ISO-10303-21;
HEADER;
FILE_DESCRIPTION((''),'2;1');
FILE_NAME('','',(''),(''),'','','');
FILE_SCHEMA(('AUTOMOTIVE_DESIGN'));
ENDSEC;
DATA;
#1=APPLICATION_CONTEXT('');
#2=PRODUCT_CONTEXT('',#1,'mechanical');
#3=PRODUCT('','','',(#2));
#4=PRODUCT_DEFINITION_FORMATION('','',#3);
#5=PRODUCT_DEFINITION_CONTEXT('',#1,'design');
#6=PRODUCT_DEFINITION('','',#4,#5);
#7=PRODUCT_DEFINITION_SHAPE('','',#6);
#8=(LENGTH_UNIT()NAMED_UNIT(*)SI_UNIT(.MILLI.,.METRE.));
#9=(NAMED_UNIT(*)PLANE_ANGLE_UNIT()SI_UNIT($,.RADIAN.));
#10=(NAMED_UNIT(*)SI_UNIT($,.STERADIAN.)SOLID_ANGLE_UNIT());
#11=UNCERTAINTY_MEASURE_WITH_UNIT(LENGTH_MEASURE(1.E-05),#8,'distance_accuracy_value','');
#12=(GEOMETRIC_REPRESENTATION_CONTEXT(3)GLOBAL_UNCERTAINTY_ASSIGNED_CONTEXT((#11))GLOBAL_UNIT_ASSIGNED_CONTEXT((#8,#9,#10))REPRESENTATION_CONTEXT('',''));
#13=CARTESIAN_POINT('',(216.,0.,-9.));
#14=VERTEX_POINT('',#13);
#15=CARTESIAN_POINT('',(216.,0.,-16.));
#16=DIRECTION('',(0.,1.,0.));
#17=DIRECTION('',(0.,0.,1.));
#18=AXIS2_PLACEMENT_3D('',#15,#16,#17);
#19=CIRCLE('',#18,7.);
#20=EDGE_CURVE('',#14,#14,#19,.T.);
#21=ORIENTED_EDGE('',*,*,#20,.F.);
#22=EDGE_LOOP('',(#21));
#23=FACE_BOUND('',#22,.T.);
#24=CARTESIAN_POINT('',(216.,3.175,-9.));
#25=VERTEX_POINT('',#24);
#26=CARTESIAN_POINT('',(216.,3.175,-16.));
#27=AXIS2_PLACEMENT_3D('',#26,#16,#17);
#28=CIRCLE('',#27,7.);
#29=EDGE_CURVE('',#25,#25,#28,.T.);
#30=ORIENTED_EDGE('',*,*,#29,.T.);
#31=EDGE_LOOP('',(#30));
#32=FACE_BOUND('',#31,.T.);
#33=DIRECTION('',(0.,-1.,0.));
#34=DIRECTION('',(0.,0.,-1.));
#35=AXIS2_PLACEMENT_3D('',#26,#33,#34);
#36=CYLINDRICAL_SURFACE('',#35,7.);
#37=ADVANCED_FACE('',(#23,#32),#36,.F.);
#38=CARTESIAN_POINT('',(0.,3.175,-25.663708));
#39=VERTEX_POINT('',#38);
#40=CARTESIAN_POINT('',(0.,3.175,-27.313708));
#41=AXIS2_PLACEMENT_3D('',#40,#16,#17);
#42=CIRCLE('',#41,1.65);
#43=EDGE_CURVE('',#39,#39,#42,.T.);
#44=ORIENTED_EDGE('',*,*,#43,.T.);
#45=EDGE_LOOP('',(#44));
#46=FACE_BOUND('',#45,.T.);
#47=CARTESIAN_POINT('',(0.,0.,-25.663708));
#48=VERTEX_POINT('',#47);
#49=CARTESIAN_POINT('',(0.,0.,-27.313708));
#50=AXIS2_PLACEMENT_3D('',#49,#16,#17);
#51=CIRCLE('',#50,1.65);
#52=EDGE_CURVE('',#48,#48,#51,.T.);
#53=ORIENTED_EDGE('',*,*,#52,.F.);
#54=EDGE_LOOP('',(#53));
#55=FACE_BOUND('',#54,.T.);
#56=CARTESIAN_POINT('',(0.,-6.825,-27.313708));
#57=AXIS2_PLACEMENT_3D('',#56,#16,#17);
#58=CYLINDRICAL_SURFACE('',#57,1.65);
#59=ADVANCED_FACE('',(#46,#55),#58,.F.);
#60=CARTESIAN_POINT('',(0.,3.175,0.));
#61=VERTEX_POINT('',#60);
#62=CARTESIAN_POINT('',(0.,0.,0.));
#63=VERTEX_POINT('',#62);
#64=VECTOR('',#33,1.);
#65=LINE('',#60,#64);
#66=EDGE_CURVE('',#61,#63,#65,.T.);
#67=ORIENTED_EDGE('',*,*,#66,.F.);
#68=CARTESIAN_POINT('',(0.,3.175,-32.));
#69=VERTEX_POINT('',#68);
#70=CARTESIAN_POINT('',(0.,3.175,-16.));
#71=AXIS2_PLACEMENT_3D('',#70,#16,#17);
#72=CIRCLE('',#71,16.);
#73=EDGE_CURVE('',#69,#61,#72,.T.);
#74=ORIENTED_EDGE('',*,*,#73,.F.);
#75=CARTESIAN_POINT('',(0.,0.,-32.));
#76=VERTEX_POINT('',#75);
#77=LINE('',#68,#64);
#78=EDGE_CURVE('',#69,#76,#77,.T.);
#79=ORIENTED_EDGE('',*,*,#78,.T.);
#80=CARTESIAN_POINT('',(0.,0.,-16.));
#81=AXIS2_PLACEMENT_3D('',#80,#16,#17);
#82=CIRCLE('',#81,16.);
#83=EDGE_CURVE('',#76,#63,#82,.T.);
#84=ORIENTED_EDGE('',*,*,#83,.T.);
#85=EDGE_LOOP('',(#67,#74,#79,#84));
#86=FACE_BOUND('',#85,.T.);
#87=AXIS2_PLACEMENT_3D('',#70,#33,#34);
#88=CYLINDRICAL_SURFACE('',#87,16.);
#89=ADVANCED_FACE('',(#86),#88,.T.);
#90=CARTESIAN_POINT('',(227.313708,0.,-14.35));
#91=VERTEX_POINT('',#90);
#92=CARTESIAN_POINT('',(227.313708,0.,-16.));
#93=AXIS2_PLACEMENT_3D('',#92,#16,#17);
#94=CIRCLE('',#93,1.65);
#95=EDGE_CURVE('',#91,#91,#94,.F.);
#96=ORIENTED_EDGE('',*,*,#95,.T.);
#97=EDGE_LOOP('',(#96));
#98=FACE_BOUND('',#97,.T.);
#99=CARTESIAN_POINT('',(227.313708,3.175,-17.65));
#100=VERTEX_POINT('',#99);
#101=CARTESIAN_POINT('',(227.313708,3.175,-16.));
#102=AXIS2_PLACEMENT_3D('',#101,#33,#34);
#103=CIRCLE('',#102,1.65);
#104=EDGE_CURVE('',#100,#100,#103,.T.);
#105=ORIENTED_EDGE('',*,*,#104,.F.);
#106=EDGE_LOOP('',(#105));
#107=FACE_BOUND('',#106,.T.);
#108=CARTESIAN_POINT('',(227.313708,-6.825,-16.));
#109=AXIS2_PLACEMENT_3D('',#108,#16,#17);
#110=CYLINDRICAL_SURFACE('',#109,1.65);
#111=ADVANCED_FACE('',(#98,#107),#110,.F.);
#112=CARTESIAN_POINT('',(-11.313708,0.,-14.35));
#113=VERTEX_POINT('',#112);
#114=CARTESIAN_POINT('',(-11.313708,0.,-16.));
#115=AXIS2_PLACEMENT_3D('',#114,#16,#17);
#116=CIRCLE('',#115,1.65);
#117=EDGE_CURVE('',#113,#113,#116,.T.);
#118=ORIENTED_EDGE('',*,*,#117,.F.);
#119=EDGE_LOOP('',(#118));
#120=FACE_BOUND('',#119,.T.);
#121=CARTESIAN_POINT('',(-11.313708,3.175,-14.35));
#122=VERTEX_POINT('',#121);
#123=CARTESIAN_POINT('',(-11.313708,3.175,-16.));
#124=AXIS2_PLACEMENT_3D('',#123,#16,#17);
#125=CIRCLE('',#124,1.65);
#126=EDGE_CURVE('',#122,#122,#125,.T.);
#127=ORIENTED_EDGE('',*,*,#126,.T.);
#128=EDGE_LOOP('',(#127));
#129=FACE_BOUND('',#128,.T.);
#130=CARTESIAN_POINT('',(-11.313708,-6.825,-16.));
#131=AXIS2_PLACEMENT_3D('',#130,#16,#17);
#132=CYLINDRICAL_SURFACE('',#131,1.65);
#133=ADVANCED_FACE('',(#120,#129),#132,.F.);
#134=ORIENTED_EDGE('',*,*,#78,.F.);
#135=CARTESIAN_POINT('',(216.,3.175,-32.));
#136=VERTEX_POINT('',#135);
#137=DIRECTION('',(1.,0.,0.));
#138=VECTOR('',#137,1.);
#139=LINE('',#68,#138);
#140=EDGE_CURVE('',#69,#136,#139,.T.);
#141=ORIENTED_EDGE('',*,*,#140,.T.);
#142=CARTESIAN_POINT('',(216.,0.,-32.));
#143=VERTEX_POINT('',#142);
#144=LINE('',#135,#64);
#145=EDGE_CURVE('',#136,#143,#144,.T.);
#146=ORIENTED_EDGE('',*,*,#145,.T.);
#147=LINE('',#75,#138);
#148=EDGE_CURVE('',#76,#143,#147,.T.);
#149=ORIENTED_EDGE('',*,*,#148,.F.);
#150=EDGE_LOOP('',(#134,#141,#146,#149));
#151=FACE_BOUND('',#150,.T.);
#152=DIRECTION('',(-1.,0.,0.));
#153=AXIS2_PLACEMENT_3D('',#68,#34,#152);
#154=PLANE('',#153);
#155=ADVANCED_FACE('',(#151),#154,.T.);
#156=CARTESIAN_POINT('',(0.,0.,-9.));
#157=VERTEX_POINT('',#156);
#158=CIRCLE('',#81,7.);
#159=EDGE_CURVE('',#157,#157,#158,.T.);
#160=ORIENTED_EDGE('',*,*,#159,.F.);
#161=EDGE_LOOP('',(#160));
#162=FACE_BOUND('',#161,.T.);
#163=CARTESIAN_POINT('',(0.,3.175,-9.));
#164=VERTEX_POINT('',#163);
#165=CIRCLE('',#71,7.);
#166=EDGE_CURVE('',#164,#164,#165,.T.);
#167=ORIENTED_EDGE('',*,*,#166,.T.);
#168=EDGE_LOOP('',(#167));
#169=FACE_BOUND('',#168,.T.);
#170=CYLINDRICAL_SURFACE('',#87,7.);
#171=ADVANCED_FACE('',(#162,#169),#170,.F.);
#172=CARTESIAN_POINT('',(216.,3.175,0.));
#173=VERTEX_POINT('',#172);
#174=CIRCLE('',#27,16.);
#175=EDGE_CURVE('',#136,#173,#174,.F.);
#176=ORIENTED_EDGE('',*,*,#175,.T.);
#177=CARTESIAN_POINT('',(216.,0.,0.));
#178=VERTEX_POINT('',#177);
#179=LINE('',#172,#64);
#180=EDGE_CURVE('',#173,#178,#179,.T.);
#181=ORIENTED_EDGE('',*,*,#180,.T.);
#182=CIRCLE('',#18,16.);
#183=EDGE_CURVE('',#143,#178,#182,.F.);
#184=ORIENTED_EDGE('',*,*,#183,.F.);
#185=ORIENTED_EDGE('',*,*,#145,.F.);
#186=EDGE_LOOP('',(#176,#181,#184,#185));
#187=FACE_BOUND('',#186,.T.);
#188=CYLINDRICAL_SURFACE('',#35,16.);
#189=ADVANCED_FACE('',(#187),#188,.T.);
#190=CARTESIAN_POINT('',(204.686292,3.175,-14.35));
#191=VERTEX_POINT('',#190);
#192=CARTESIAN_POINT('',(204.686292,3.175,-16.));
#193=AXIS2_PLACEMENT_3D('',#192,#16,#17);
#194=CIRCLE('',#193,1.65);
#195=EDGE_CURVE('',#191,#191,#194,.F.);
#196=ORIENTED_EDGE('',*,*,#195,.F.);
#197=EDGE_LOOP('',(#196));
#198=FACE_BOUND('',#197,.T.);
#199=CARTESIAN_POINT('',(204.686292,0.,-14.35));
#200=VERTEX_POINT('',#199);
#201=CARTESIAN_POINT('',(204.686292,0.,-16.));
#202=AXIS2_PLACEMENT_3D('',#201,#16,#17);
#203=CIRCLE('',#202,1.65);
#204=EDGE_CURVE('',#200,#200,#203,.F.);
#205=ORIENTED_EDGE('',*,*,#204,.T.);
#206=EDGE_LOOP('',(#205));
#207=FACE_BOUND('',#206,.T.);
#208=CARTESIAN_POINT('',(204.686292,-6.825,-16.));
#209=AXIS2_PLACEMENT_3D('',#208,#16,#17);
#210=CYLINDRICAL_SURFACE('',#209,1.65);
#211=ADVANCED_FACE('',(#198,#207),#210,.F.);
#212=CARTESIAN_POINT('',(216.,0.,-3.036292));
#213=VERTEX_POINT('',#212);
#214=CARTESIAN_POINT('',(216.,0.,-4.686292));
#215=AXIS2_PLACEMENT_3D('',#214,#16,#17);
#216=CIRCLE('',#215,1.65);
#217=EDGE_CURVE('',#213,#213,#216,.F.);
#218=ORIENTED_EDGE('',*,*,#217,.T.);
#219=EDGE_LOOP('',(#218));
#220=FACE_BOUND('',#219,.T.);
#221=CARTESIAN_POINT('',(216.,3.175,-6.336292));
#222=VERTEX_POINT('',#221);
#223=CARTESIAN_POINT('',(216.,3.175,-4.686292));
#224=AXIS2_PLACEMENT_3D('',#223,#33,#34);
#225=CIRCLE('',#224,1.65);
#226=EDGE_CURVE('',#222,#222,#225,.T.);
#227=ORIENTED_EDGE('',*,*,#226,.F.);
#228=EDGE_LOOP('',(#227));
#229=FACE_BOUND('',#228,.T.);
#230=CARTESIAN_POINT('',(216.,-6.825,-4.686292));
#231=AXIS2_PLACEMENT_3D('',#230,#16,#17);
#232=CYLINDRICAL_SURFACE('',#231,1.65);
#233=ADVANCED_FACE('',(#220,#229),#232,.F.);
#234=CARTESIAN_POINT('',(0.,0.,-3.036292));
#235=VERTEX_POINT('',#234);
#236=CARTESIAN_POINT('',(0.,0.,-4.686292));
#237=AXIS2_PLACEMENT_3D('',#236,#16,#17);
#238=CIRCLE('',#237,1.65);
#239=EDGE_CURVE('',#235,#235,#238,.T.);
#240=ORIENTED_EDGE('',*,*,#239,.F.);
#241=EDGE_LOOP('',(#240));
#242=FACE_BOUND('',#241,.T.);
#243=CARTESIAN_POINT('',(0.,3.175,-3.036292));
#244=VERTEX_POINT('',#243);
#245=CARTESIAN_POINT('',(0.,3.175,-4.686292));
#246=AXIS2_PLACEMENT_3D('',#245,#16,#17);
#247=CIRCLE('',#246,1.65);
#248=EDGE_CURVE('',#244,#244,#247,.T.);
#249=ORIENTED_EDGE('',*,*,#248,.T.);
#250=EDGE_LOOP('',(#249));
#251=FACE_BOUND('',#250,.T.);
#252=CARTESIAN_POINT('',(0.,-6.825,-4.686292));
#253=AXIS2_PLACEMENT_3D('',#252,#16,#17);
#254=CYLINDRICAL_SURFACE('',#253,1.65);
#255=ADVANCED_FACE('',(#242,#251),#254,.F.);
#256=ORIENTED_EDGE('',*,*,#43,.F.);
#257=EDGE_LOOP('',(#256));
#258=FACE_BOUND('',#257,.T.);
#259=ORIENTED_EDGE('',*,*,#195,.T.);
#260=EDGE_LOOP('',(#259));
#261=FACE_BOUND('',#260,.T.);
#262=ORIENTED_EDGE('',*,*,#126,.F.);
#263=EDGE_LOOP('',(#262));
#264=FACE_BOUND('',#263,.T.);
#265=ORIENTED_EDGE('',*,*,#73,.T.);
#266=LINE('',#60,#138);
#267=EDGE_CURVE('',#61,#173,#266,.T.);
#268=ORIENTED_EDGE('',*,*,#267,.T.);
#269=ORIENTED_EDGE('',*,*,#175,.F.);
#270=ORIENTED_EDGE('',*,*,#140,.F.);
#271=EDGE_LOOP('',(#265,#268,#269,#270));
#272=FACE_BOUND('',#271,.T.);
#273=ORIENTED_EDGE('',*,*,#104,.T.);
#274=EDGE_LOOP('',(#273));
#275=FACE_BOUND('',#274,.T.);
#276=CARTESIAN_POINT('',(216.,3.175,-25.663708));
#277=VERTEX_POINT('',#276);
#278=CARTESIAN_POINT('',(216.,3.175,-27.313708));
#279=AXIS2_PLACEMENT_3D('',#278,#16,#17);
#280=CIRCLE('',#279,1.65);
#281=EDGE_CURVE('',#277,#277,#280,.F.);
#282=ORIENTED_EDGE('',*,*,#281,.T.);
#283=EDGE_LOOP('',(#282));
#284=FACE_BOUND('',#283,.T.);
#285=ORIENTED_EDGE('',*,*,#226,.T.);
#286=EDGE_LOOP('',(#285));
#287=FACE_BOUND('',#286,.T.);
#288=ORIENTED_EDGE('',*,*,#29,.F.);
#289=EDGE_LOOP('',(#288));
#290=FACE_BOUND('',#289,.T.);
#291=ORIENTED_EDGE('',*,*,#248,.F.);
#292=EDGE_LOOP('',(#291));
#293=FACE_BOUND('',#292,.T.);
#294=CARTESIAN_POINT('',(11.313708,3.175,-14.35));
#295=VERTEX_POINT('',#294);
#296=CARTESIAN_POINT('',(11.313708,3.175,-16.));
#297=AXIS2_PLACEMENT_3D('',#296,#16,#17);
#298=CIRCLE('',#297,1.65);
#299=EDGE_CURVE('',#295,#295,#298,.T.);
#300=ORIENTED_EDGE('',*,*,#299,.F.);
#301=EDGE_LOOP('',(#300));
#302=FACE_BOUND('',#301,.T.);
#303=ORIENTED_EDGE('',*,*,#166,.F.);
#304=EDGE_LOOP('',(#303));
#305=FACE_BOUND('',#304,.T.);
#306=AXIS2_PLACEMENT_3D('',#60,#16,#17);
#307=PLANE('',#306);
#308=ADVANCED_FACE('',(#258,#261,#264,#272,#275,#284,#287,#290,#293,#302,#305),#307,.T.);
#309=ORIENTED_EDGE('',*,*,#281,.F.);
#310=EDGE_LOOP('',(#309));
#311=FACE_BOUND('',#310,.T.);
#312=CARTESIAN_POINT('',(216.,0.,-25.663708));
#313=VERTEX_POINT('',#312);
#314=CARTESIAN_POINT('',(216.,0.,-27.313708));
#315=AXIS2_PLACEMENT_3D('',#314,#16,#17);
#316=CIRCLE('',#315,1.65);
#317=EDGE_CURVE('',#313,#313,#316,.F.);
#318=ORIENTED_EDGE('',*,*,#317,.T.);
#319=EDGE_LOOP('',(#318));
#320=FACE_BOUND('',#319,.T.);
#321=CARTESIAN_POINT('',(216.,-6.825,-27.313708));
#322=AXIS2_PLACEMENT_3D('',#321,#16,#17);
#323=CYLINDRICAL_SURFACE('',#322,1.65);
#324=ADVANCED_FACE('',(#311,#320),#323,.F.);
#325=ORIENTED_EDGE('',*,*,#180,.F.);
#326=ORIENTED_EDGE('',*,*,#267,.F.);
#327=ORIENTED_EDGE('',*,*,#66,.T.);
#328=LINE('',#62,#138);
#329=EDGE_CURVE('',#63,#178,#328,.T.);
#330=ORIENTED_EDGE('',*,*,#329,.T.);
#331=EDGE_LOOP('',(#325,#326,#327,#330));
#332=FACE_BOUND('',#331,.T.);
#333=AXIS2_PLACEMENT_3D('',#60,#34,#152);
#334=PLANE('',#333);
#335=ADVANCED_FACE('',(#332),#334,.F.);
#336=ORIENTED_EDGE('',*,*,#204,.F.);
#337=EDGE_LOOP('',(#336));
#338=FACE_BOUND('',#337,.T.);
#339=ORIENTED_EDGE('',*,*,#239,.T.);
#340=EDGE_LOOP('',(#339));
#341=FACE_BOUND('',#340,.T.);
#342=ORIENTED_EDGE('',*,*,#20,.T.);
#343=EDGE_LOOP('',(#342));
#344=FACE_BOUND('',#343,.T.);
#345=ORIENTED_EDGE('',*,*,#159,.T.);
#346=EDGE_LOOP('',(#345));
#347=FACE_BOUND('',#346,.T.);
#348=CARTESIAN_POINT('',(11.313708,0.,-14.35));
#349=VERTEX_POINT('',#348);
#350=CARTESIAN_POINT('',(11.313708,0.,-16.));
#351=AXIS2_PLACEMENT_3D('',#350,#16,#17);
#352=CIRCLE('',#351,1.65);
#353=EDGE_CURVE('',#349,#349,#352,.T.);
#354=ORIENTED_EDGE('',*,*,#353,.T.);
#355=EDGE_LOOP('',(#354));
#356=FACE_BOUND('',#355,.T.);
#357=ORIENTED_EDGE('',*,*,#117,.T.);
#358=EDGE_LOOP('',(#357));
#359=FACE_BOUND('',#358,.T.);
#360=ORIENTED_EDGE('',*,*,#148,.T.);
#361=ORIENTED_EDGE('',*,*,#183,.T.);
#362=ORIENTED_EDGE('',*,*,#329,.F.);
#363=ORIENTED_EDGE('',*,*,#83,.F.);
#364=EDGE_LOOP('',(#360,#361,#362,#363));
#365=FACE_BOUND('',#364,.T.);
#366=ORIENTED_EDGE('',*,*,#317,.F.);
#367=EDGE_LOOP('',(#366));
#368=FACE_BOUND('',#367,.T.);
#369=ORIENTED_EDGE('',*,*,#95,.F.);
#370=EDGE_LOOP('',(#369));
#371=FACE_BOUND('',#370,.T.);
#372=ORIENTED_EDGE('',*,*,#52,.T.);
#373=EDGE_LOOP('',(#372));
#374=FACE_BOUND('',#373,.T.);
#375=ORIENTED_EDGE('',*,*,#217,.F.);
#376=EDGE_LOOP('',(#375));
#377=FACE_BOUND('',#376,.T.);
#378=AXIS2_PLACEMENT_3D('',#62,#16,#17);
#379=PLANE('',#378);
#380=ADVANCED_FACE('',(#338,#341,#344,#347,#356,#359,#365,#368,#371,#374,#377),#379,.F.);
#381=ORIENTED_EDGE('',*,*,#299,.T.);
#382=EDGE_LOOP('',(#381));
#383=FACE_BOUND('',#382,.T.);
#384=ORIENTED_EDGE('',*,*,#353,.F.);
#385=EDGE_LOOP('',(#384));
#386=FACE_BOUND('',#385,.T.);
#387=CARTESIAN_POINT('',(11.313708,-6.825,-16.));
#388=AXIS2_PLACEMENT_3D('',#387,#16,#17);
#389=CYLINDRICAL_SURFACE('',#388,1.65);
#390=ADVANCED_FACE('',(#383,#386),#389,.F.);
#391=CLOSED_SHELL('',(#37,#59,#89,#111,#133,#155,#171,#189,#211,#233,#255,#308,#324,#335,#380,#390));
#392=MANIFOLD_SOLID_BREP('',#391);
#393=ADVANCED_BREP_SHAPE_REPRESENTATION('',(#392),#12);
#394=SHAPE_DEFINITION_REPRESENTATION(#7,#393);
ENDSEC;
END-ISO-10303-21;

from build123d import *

# Parameters (mm, degrees)
SKETCH1_R           = 7
BOSS_EXTRUDE1_DEPTH = 3.175
SKETCH2_R           = 1.65
CUT_EXTRUDE1_DEPTH  = 10


with BuildPart() as part:
    # Sketch1 → Boss-Extrude1 (new body)
    with BuildSketch(Plane(origin=(0, 0, 0), x_dir=(1, 0, 0), z_dir=(0, 1, 0))):
        with BuildLine():
            Line((0, 0), (216, 0))
            ThreePointArc((216, 0), (232, 16), (216, 32))
            Line((216, 32), (0, 32))
            ThreePointArc((0, 32), (-16, 16), (0, 0))
        make_face()
        with Locations(Location((0, 16, 0), (0, 0, 270))):
            Circle(SKETCH1_R, mode=Mode.SUBTRACT)
        with Locations(Location((216, 16, 0), (0, 0, 270))):
            Circle(SKETCH1_R, mode=Mode.SUBTRACT)
    extrude(amount=BOSS_EXTRUDE1_DEPTH)

    # Sketch2 → Cut-Extrude1 (cut)
    with BuildSketch(Plane(origin=(0, 3.175, 0), x_dir=(1, 0, 0), z_dir=(0, 1, 0))):
        with Locations(Location((204.686291501, 16, 0), (0, 0, 270))):
            Circle(SKETCH2_R)
        with Locations(Location((216, 27.313708499, 0), (0, 0, 270))):
            Circle(SKETCH2_R)
        with Locations(Location((-11.313708499, 16, 0), (0, 0, 270))):
            Circle(SKETCH2_R)
        with Locations(Location((0, 27.313708499, 0), (0, 0, 270))):
            Circle(SKETCH2_R)
        with Locations(Location((11.313708499, 16, 0), (0, 0, 270))):
            Circle(SKETCH2_R)
        with Locations(Location((0, 4.686291501, 0), (0, 0, 270))):
            Circle(SKETCH2_R)
        with Locations(Location((216, 4.686291501, 0), (0, 0, 270))):
            Circle(SKETCH2_R)
        with Locations(Location((227.313708499, 16, 0), (0, 0, 270))):
            Circle(SKETCH2_R)
    extrude(amount=-CUT_EXTRUDE1_DEPTH, mode=Mode.SUBTRACT)


solid = part.part
